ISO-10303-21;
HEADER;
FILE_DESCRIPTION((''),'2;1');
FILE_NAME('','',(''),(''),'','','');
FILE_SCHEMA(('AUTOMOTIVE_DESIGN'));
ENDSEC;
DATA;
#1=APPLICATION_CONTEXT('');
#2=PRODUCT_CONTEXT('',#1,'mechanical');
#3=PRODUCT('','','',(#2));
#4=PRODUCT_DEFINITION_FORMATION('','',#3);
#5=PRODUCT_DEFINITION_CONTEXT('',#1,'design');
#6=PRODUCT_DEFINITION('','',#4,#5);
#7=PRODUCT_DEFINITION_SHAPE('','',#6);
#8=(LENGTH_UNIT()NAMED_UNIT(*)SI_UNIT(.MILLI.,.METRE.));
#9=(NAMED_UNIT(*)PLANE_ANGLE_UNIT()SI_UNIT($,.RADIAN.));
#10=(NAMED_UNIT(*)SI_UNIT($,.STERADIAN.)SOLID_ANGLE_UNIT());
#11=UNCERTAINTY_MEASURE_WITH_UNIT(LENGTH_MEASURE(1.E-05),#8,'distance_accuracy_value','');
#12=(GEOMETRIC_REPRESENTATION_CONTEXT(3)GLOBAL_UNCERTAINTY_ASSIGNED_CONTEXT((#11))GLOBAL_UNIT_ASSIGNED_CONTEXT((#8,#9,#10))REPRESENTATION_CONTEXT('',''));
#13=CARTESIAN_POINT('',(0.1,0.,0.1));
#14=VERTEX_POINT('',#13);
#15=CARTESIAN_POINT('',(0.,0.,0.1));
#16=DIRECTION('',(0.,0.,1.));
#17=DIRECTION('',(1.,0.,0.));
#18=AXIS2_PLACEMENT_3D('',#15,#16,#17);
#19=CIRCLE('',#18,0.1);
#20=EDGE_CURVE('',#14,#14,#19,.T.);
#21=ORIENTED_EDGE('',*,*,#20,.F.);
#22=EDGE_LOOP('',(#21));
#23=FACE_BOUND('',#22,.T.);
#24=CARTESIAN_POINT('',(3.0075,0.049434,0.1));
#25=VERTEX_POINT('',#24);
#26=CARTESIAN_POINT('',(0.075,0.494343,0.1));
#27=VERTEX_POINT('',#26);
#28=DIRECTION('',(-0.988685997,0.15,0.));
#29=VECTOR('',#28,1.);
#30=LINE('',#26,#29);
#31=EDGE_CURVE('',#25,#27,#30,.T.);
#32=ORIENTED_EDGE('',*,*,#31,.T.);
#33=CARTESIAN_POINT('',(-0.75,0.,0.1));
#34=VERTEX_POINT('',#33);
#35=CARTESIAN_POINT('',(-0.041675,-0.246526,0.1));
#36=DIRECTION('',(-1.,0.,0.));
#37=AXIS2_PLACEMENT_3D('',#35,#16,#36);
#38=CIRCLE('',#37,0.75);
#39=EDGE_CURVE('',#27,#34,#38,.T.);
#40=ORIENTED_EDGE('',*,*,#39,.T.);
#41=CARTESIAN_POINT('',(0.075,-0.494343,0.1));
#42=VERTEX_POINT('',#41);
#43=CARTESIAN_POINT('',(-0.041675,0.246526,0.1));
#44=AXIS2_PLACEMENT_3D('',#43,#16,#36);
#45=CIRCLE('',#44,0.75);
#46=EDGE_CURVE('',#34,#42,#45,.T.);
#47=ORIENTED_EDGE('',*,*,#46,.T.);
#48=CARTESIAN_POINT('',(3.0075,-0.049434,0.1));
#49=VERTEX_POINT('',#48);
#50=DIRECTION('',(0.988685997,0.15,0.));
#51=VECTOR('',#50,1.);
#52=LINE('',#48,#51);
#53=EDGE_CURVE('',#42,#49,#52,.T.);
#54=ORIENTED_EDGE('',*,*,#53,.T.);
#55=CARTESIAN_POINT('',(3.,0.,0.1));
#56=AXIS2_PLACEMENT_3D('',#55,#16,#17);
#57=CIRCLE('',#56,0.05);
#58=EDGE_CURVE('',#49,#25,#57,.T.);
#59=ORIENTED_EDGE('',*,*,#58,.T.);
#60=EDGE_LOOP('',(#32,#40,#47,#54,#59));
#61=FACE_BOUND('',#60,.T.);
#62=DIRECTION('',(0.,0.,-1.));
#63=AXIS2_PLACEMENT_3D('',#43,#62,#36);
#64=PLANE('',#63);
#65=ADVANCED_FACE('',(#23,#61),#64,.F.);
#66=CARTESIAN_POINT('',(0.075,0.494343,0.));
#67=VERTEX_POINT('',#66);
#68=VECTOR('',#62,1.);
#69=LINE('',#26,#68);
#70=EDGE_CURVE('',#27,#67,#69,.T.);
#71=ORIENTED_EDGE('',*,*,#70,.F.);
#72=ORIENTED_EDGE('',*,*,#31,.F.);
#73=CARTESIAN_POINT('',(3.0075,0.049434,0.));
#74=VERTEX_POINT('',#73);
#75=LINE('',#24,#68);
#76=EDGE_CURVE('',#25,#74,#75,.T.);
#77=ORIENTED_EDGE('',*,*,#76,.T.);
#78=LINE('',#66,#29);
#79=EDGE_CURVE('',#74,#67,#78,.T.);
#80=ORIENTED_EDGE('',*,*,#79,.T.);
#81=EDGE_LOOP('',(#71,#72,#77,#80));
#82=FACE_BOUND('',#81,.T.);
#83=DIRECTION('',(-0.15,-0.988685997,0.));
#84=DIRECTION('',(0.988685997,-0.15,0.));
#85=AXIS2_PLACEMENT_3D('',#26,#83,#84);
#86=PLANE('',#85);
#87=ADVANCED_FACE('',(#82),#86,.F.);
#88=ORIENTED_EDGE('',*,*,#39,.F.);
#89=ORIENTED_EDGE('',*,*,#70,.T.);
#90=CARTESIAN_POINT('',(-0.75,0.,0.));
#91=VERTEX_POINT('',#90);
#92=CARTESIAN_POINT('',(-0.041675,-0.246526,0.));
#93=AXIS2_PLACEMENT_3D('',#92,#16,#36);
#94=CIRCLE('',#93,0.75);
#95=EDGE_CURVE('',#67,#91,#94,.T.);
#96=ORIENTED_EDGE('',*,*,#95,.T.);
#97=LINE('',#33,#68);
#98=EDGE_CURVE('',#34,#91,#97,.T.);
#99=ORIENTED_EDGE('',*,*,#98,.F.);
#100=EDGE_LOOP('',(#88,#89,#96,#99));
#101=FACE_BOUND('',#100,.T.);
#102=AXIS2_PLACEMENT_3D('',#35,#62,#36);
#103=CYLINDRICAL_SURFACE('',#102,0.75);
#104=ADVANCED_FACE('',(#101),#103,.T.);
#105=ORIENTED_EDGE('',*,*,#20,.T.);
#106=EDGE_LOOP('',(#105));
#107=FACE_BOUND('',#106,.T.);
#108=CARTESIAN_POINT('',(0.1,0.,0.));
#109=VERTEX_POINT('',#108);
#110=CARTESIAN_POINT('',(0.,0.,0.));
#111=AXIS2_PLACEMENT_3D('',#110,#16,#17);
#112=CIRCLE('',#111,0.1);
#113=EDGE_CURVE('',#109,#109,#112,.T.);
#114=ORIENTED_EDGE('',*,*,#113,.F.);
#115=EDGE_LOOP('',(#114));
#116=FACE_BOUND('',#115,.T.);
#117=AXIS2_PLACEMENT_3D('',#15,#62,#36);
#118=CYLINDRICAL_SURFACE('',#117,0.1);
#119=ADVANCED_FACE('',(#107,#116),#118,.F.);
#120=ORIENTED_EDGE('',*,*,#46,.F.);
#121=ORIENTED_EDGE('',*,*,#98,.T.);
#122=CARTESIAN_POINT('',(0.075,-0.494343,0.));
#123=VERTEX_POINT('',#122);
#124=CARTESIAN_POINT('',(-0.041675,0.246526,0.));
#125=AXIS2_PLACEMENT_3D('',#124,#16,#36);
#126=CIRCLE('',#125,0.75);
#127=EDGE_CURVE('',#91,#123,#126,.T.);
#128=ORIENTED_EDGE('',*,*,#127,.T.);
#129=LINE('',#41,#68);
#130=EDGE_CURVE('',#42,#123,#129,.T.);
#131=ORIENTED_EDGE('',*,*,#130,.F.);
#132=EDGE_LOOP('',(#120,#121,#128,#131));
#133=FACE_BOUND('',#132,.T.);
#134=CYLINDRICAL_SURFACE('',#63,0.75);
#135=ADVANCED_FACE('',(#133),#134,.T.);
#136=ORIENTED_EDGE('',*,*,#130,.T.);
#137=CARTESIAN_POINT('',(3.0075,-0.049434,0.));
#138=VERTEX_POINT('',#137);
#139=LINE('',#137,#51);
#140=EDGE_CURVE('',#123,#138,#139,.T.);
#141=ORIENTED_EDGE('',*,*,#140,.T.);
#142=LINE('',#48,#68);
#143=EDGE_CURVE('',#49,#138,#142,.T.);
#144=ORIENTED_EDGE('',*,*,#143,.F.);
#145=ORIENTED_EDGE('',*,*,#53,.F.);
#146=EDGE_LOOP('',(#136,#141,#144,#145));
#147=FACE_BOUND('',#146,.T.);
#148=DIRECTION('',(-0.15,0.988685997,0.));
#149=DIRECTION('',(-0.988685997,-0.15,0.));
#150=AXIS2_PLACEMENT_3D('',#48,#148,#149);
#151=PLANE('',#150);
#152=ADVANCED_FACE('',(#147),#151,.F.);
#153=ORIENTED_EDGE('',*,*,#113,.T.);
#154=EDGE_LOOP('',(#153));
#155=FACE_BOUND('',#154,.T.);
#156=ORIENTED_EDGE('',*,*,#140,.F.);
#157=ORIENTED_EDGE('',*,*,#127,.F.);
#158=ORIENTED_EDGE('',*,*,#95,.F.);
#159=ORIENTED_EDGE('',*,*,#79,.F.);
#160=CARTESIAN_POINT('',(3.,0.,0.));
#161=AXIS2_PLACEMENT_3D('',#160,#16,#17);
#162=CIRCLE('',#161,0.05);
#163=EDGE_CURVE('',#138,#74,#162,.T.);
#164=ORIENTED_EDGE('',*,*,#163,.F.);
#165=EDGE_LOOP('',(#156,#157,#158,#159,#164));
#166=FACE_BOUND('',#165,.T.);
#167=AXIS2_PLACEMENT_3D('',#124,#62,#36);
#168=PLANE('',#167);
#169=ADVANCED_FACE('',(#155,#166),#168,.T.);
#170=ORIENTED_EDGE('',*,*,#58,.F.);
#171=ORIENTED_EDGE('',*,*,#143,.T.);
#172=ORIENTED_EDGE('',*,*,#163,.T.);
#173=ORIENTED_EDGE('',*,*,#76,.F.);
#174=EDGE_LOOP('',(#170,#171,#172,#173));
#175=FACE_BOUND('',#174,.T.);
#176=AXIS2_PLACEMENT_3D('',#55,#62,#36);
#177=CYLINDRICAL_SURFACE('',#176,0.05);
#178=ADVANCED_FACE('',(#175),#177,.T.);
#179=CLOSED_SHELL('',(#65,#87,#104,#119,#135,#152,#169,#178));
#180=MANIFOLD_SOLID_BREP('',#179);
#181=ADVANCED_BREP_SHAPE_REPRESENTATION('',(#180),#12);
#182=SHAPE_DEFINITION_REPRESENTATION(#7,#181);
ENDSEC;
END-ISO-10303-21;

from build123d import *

# Parameters (mm, degrees)
SKETCH1_R          = 0.1
BASE_EXTRUDE_DEPTH = 0.1


with BuildPart() as part:
    # Sketch1 → Base-Extrude (new body)
    with BuildSketch(Plane.XY):
        with BuildLine():
            Line((0.075, 0.494342998), (3.0075, 0.0494343))
            ThreePointArc((3.0075, 0.0494343), (3.05, 0), (3.0075, -0.0494343))
            Line((3.0075, -0.0494343), (0.075, -0.494342998))
            ThreePointArc((0.075, -0.494342998), (-0.427169628, -0.396819504), (-0.75, 0))
            ThreePointArc((-0.75, 0), (-0.427169628, 0.396819504), (0.075, 0.494342998))
        make_face()
        Circle(SKETCH1_R, mode=Mode.SUBTRACT)
    extrude(amount=BASE_EXTRUDE_DEPTH)


solid = part.part
